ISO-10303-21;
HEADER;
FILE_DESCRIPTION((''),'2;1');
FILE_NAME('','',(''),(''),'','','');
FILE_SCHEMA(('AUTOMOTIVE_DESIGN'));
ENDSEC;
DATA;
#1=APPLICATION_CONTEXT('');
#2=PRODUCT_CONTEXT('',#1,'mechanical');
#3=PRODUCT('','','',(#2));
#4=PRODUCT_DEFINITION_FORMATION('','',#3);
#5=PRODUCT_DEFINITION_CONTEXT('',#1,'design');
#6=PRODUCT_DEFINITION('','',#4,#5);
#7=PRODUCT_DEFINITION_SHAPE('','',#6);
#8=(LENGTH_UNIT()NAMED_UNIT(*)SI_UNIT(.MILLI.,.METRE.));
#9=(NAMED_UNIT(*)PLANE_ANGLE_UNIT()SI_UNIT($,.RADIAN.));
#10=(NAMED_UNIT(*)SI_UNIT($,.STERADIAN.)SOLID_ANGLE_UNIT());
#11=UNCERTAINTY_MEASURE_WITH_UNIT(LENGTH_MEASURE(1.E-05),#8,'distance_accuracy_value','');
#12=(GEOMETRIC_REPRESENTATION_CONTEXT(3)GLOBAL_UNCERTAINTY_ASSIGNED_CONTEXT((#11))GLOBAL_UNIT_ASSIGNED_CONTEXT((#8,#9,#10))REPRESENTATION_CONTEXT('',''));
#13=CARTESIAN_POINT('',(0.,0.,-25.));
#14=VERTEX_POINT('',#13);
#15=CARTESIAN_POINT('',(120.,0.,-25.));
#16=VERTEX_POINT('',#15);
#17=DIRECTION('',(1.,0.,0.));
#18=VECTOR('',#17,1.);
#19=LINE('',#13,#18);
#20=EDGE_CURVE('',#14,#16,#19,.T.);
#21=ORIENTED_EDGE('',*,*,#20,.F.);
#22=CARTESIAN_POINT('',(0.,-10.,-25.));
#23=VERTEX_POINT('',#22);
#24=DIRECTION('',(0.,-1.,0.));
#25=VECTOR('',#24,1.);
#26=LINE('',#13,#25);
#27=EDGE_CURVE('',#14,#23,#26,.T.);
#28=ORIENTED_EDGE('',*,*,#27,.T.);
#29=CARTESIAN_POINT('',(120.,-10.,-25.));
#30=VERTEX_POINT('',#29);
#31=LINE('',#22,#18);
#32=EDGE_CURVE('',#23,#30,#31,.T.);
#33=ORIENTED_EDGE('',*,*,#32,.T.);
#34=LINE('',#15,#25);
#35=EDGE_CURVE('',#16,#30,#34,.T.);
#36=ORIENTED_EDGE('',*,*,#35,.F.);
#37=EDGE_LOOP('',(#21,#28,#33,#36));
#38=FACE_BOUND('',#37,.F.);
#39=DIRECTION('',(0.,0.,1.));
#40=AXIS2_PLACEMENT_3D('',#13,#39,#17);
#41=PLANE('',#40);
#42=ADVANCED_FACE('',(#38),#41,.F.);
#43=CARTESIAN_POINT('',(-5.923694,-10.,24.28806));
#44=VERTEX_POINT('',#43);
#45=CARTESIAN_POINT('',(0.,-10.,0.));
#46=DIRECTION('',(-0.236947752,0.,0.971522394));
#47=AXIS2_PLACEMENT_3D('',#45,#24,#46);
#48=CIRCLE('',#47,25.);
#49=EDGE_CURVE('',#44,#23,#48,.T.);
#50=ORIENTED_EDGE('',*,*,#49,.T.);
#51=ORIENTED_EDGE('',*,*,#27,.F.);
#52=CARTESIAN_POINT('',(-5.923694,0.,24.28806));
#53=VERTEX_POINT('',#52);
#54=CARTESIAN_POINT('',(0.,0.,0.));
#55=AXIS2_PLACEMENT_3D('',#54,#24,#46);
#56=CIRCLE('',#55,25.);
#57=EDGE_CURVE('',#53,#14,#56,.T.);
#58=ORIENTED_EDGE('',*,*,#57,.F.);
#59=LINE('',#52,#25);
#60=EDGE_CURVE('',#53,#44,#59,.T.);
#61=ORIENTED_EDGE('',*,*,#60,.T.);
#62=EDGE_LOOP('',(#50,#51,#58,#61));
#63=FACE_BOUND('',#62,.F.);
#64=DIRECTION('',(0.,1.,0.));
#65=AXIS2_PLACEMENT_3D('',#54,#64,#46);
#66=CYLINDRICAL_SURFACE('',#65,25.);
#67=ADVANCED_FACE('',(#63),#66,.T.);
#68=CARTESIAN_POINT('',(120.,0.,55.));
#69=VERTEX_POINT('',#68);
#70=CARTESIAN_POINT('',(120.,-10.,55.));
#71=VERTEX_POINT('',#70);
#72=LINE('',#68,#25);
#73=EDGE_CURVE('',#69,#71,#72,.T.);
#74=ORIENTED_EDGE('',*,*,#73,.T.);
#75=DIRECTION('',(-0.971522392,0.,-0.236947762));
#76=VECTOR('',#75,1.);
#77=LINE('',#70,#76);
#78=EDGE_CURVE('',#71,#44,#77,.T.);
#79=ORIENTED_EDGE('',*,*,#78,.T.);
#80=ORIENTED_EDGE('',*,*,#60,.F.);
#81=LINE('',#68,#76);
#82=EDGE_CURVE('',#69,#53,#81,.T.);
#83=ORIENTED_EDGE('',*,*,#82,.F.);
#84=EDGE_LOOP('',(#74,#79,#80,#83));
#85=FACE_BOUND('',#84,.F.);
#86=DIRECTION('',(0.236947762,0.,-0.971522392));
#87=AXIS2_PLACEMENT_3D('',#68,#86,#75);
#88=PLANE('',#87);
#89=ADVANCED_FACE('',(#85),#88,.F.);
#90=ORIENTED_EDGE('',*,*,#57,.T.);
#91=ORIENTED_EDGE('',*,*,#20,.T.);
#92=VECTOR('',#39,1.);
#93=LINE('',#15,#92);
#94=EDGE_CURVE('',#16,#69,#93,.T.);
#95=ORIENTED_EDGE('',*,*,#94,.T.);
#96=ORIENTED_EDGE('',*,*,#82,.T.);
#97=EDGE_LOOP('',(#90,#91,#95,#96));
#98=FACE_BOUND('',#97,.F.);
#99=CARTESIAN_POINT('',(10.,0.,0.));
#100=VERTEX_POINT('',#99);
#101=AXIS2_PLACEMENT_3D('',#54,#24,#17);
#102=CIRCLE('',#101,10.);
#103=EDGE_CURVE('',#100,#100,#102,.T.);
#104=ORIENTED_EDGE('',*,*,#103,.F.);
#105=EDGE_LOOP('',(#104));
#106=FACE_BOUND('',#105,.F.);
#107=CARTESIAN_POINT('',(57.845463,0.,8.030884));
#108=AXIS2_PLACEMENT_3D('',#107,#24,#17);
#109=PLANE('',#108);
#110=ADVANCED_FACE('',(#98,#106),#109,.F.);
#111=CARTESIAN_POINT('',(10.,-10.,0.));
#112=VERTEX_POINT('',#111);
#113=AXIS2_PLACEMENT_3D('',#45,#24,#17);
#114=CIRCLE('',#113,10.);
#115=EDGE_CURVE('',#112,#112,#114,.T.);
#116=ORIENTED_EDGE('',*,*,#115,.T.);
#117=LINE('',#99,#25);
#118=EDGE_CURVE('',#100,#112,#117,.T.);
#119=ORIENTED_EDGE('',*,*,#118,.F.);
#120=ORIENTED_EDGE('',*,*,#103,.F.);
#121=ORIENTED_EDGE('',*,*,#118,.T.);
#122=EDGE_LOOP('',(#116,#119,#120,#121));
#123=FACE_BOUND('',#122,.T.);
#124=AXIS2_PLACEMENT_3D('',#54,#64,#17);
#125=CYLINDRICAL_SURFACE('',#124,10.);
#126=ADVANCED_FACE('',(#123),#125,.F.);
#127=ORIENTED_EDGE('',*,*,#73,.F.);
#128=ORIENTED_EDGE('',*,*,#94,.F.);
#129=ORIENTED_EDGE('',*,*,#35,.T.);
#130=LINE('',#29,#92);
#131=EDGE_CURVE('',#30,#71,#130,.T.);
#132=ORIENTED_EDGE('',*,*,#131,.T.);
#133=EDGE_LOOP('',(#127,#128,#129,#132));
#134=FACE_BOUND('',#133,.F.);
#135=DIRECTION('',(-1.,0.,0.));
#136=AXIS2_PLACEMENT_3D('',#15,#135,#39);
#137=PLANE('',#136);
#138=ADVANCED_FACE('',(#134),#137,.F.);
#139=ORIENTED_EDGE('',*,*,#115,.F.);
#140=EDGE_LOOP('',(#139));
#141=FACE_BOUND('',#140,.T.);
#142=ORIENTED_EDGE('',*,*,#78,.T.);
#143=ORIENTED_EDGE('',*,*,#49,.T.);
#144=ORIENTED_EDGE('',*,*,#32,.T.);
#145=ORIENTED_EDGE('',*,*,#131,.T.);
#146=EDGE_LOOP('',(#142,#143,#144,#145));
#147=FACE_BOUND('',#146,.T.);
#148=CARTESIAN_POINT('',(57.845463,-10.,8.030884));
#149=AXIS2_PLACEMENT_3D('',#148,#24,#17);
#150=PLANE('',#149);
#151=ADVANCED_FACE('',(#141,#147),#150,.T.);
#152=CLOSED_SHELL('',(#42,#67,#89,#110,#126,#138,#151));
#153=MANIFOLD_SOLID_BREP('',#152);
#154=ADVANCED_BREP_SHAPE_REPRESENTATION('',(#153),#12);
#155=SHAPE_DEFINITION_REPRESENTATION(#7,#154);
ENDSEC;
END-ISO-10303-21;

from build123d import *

# Parameters (mm, degrees)
F0_R     = 10
F1_DEPTH = 10


with BuildPart() as f1:
    # F0 (on Front) → F1 (new body)
    with BuildSketch(Plane.XZ):
        with BuildLine():
            ThreePointArc((-5.923694, 24.28806), (-24.821377, -2.983162), (0, -25))
            Line((0, -25), (120, -25))
            Line((120, -25), (120, 55))
            Line((120, 55), (-5.923694, 24.28806))
        make_face()
        Circle(F0_R, mode=Mode.SUBTRACT)
    extrude(amount=F1_DEPTH)


solid = f1.part
